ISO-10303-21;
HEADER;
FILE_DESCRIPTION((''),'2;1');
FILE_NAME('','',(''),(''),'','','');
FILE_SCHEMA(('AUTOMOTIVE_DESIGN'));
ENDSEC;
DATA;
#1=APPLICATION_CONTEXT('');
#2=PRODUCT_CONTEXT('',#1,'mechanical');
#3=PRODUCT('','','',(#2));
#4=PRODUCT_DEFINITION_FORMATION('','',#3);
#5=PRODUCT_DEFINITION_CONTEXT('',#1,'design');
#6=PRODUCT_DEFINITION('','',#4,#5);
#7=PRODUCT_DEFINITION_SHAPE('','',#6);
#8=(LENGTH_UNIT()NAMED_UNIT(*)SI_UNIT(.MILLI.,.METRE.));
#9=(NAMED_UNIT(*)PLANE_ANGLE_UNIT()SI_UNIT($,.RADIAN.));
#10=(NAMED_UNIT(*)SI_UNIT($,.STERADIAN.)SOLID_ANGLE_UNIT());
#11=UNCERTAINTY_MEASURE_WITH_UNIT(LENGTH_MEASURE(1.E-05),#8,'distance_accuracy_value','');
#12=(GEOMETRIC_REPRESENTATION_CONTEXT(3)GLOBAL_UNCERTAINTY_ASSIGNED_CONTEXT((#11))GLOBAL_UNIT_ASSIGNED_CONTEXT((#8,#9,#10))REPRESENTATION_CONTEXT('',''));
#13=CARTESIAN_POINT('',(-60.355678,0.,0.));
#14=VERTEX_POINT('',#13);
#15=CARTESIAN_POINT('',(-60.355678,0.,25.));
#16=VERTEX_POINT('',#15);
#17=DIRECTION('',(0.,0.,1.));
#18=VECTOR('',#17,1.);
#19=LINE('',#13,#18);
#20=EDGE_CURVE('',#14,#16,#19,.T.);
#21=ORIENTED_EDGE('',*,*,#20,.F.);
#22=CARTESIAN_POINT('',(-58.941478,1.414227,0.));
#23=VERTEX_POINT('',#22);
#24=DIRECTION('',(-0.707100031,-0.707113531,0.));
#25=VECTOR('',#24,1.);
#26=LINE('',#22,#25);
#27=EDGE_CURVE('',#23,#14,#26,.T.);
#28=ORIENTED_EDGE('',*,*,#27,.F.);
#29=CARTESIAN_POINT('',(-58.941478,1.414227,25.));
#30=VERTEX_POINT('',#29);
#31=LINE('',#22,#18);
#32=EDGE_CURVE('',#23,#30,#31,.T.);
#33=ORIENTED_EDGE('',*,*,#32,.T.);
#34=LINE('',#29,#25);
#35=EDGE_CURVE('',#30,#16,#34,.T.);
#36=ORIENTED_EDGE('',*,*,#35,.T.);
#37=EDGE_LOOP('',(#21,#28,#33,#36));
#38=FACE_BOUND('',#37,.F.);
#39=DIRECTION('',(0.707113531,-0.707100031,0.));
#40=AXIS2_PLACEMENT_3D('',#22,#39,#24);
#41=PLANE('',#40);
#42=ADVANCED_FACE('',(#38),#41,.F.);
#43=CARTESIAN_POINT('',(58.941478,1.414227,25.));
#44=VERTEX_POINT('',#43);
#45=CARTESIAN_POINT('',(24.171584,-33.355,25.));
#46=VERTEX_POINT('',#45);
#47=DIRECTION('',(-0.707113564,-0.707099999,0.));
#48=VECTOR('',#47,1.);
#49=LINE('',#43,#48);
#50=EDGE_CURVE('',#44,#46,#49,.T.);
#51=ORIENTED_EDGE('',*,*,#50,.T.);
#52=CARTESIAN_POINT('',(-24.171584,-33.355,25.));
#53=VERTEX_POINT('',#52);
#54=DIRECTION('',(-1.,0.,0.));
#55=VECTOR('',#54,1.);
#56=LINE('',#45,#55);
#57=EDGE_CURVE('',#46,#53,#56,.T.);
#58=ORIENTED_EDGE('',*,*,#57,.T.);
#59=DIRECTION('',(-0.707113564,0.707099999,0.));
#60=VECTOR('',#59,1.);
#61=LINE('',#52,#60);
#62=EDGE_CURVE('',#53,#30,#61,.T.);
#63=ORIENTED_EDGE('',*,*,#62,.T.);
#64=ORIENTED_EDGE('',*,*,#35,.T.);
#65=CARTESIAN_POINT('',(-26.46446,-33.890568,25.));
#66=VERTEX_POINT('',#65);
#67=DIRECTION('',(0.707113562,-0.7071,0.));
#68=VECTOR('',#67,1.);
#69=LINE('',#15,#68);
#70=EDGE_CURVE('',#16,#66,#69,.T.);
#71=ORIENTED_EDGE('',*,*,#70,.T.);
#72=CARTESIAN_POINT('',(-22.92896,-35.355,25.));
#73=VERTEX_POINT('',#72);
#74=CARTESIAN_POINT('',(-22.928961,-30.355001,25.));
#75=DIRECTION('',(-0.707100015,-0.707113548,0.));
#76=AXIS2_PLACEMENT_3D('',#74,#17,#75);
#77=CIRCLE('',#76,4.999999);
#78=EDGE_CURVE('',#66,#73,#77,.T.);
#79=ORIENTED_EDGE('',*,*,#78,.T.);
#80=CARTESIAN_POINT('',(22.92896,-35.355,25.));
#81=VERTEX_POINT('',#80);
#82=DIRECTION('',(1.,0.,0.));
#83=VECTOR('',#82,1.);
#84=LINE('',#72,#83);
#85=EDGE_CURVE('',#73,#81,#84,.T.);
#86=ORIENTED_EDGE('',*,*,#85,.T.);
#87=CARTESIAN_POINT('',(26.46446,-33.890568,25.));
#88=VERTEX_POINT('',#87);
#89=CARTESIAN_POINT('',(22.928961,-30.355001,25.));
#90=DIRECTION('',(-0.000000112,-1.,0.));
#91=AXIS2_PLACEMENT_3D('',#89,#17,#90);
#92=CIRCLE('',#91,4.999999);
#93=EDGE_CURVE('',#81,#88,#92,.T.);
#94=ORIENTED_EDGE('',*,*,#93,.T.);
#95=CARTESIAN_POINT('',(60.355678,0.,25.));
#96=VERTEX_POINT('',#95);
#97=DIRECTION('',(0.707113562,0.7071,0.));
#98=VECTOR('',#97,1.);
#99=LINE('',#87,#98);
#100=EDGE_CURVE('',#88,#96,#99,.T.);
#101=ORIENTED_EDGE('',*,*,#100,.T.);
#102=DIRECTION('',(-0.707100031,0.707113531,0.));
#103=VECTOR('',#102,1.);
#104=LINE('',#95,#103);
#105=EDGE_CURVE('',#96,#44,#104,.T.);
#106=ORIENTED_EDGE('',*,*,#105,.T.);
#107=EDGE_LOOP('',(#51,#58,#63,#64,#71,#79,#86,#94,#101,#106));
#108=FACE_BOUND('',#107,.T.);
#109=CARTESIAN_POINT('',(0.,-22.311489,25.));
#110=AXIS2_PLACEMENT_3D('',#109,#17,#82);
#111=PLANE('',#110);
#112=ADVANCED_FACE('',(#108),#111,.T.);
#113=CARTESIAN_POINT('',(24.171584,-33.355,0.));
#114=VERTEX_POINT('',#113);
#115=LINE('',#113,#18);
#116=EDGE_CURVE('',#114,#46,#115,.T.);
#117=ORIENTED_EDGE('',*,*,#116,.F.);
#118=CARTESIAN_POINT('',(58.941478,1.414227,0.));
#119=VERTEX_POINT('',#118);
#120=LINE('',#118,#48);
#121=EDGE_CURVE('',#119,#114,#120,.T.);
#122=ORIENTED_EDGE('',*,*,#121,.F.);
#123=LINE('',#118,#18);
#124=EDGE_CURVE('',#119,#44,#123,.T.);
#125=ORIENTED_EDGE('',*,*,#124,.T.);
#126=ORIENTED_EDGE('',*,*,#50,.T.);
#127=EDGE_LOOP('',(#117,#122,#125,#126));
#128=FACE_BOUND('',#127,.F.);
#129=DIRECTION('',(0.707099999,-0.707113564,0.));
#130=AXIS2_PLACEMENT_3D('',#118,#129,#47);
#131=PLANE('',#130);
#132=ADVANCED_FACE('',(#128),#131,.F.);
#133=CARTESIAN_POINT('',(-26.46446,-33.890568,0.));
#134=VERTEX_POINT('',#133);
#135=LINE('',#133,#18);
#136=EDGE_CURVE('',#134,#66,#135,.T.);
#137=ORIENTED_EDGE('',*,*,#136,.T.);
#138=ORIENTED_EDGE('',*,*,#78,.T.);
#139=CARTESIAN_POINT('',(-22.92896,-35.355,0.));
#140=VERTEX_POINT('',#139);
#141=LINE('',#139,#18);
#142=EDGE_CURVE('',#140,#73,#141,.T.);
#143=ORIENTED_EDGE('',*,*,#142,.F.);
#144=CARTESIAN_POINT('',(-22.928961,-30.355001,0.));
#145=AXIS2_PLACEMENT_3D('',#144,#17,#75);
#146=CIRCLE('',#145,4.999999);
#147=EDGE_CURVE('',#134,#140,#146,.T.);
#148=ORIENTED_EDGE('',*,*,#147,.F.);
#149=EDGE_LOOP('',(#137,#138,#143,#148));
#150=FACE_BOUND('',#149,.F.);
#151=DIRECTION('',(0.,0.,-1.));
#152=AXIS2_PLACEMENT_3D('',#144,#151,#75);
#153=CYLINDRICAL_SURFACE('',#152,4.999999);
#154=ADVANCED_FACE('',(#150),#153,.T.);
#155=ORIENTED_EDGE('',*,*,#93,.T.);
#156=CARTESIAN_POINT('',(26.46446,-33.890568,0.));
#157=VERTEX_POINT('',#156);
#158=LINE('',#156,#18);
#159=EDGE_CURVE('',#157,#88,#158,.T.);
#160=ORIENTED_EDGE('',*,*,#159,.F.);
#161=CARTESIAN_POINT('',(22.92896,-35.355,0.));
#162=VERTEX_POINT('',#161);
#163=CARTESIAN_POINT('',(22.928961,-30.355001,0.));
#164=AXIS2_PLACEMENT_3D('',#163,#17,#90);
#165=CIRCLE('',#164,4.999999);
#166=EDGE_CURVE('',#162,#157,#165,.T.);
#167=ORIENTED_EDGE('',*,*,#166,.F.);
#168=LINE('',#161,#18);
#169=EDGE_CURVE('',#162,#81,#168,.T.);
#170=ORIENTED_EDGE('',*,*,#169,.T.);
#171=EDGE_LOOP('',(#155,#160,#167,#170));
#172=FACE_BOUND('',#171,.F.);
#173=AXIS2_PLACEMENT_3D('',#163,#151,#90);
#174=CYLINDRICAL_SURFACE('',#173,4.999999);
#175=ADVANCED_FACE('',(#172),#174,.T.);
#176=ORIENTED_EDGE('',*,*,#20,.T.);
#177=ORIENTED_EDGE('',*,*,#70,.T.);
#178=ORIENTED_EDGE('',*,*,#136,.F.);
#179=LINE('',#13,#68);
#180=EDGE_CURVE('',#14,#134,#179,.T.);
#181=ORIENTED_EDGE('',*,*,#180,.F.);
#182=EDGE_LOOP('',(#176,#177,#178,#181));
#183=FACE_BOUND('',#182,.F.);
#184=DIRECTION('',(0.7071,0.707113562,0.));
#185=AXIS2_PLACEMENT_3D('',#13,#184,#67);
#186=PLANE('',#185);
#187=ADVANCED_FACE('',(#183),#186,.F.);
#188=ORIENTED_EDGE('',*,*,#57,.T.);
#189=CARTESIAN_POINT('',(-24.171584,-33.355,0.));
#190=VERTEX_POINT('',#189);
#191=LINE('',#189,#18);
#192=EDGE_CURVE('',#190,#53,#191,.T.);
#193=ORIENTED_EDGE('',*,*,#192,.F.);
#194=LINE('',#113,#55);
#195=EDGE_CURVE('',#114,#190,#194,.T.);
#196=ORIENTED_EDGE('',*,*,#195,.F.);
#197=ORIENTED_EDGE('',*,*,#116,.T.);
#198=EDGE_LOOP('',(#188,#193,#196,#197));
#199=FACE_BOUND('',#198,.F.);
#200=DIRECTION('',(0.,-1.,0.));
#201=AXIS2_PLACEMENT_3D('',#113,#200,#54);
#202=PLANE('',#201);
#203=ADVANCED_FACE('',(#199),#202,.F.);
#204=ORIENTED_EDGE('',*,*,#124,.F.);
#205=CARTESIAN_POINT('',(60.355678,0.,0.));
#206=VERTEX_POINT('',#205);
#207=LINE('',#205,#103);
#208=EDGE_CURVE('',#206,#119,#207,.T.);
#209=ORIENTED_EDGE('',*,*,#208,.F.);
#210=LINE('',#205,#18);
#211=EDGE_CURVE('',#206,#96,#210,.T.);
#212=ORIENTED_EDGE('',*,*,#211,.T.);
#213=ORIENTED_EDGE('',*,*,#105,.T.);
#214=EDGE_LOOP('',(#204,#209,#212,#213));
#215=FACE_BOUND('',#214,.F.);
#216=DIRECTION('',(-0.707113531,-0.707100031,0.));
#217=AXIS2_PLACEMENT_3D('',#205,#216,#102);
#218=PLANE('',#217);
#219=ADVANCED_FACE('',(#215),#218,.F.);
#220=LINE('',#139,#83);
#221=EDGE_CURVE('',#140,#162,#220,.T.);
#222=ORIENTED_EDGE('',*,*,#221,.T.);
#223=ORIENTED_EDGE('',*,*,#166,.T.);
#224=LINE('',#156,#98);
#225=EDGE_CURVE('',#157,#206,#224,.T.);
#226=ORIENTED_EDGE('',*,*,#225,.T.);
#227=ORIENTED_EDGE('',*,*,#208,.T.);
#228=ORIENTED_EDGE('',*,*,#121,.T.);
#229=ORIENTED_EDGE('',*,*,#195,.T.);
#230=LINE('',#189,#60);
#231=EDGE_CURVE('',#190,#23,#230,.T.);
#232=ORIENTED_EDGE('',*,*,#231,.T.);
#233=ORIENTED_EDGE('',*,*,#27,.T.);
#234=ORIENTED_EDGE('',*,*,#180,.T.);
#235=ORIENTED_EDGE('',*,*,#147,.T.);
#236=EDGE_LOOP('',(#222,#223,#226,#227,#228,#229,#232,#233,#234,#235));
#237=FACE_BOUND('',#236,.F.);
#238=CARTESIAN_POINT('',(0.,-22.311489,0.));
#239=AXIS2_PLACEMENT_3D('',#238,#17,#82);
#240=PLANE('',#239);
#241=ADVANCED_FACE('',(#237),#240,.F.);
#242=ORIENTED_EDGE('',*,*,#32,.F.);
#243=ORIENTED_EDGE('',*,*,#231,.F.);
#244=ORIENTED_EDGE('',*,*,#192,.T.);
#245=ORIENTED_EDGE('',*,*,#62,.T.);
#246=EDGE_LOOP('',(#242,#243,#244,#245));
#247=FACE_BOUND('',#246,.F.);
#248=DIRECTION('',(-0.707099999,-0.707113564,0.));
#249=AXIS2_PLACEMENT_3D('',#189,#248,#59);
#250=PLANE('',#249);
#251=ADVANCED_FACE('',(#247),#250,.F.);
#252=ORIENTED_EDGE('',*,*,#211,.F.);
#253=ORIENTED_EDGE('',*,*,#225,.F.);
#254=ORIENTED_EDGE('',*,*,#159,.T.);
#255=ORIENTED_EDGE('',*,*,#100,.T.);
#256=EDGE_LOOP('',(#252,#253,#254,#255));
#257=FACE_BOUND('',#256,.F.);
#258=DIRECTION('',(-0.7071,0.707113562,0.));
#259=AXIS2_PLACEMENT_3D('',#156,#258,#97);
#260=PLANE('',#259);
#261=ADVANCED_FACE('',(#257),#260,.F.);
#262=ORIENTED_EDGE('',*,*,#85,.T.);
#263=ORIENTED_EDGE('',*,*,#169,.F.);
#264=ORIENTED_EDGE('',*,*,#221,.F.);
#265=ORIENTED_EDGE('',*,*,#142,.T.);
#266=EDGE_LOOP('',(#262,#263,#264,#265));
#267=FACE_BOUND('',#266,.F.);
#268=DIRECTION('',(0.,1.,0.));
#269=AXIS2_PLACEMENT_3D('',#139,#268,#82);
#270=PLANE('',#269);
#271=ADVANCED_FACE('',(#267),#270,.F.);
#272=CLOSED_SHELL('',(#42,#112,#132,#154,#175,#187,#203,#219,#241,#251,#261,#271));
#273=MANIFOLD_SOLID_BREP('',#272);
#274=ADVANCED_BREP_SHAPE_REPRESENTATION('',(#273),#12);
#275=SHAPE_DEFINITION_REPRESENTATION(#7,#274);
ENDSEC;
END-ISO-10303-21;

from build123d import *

# Parameters (mm, degrees)
F1_DEPTH = 25


with BuildPart() as f1:
    # F0 (on Top) → F1 (new body)
    with BuildSketch(Plane.XY):
        with BuildLine():
            Line((-58.941478, 1.414227), (-60.355678, 0))
            Line((-60.355678, 0), (-26.46446, -33.890568))
            ThreePointArc((-26.46446, -33.890568), (-24.842355, -34.974407), (-22.92896, -35.355))
            Line((-22.92896, -35.355), (22.92896, -35.355))
            ThreePointArc((22.92896, -35.355), (24.842355, -34.974407), (26.46446, -33.890568))
            Line((26.46446, -33.890568), (60.355678, 0))
            Line((60.355678, 0), (58.941478, 1.414227))
            Line((58.941478, 1.414227), (24.171584, -33.355))
            Line((24.171584, -33.355), (-24.171584, -33.355))
            Line((-24.171584, -33.355), (-58.941478, 1.414227))
        make_face()
    extrude(amount=F1_DEPTH)


solid = f1.part
